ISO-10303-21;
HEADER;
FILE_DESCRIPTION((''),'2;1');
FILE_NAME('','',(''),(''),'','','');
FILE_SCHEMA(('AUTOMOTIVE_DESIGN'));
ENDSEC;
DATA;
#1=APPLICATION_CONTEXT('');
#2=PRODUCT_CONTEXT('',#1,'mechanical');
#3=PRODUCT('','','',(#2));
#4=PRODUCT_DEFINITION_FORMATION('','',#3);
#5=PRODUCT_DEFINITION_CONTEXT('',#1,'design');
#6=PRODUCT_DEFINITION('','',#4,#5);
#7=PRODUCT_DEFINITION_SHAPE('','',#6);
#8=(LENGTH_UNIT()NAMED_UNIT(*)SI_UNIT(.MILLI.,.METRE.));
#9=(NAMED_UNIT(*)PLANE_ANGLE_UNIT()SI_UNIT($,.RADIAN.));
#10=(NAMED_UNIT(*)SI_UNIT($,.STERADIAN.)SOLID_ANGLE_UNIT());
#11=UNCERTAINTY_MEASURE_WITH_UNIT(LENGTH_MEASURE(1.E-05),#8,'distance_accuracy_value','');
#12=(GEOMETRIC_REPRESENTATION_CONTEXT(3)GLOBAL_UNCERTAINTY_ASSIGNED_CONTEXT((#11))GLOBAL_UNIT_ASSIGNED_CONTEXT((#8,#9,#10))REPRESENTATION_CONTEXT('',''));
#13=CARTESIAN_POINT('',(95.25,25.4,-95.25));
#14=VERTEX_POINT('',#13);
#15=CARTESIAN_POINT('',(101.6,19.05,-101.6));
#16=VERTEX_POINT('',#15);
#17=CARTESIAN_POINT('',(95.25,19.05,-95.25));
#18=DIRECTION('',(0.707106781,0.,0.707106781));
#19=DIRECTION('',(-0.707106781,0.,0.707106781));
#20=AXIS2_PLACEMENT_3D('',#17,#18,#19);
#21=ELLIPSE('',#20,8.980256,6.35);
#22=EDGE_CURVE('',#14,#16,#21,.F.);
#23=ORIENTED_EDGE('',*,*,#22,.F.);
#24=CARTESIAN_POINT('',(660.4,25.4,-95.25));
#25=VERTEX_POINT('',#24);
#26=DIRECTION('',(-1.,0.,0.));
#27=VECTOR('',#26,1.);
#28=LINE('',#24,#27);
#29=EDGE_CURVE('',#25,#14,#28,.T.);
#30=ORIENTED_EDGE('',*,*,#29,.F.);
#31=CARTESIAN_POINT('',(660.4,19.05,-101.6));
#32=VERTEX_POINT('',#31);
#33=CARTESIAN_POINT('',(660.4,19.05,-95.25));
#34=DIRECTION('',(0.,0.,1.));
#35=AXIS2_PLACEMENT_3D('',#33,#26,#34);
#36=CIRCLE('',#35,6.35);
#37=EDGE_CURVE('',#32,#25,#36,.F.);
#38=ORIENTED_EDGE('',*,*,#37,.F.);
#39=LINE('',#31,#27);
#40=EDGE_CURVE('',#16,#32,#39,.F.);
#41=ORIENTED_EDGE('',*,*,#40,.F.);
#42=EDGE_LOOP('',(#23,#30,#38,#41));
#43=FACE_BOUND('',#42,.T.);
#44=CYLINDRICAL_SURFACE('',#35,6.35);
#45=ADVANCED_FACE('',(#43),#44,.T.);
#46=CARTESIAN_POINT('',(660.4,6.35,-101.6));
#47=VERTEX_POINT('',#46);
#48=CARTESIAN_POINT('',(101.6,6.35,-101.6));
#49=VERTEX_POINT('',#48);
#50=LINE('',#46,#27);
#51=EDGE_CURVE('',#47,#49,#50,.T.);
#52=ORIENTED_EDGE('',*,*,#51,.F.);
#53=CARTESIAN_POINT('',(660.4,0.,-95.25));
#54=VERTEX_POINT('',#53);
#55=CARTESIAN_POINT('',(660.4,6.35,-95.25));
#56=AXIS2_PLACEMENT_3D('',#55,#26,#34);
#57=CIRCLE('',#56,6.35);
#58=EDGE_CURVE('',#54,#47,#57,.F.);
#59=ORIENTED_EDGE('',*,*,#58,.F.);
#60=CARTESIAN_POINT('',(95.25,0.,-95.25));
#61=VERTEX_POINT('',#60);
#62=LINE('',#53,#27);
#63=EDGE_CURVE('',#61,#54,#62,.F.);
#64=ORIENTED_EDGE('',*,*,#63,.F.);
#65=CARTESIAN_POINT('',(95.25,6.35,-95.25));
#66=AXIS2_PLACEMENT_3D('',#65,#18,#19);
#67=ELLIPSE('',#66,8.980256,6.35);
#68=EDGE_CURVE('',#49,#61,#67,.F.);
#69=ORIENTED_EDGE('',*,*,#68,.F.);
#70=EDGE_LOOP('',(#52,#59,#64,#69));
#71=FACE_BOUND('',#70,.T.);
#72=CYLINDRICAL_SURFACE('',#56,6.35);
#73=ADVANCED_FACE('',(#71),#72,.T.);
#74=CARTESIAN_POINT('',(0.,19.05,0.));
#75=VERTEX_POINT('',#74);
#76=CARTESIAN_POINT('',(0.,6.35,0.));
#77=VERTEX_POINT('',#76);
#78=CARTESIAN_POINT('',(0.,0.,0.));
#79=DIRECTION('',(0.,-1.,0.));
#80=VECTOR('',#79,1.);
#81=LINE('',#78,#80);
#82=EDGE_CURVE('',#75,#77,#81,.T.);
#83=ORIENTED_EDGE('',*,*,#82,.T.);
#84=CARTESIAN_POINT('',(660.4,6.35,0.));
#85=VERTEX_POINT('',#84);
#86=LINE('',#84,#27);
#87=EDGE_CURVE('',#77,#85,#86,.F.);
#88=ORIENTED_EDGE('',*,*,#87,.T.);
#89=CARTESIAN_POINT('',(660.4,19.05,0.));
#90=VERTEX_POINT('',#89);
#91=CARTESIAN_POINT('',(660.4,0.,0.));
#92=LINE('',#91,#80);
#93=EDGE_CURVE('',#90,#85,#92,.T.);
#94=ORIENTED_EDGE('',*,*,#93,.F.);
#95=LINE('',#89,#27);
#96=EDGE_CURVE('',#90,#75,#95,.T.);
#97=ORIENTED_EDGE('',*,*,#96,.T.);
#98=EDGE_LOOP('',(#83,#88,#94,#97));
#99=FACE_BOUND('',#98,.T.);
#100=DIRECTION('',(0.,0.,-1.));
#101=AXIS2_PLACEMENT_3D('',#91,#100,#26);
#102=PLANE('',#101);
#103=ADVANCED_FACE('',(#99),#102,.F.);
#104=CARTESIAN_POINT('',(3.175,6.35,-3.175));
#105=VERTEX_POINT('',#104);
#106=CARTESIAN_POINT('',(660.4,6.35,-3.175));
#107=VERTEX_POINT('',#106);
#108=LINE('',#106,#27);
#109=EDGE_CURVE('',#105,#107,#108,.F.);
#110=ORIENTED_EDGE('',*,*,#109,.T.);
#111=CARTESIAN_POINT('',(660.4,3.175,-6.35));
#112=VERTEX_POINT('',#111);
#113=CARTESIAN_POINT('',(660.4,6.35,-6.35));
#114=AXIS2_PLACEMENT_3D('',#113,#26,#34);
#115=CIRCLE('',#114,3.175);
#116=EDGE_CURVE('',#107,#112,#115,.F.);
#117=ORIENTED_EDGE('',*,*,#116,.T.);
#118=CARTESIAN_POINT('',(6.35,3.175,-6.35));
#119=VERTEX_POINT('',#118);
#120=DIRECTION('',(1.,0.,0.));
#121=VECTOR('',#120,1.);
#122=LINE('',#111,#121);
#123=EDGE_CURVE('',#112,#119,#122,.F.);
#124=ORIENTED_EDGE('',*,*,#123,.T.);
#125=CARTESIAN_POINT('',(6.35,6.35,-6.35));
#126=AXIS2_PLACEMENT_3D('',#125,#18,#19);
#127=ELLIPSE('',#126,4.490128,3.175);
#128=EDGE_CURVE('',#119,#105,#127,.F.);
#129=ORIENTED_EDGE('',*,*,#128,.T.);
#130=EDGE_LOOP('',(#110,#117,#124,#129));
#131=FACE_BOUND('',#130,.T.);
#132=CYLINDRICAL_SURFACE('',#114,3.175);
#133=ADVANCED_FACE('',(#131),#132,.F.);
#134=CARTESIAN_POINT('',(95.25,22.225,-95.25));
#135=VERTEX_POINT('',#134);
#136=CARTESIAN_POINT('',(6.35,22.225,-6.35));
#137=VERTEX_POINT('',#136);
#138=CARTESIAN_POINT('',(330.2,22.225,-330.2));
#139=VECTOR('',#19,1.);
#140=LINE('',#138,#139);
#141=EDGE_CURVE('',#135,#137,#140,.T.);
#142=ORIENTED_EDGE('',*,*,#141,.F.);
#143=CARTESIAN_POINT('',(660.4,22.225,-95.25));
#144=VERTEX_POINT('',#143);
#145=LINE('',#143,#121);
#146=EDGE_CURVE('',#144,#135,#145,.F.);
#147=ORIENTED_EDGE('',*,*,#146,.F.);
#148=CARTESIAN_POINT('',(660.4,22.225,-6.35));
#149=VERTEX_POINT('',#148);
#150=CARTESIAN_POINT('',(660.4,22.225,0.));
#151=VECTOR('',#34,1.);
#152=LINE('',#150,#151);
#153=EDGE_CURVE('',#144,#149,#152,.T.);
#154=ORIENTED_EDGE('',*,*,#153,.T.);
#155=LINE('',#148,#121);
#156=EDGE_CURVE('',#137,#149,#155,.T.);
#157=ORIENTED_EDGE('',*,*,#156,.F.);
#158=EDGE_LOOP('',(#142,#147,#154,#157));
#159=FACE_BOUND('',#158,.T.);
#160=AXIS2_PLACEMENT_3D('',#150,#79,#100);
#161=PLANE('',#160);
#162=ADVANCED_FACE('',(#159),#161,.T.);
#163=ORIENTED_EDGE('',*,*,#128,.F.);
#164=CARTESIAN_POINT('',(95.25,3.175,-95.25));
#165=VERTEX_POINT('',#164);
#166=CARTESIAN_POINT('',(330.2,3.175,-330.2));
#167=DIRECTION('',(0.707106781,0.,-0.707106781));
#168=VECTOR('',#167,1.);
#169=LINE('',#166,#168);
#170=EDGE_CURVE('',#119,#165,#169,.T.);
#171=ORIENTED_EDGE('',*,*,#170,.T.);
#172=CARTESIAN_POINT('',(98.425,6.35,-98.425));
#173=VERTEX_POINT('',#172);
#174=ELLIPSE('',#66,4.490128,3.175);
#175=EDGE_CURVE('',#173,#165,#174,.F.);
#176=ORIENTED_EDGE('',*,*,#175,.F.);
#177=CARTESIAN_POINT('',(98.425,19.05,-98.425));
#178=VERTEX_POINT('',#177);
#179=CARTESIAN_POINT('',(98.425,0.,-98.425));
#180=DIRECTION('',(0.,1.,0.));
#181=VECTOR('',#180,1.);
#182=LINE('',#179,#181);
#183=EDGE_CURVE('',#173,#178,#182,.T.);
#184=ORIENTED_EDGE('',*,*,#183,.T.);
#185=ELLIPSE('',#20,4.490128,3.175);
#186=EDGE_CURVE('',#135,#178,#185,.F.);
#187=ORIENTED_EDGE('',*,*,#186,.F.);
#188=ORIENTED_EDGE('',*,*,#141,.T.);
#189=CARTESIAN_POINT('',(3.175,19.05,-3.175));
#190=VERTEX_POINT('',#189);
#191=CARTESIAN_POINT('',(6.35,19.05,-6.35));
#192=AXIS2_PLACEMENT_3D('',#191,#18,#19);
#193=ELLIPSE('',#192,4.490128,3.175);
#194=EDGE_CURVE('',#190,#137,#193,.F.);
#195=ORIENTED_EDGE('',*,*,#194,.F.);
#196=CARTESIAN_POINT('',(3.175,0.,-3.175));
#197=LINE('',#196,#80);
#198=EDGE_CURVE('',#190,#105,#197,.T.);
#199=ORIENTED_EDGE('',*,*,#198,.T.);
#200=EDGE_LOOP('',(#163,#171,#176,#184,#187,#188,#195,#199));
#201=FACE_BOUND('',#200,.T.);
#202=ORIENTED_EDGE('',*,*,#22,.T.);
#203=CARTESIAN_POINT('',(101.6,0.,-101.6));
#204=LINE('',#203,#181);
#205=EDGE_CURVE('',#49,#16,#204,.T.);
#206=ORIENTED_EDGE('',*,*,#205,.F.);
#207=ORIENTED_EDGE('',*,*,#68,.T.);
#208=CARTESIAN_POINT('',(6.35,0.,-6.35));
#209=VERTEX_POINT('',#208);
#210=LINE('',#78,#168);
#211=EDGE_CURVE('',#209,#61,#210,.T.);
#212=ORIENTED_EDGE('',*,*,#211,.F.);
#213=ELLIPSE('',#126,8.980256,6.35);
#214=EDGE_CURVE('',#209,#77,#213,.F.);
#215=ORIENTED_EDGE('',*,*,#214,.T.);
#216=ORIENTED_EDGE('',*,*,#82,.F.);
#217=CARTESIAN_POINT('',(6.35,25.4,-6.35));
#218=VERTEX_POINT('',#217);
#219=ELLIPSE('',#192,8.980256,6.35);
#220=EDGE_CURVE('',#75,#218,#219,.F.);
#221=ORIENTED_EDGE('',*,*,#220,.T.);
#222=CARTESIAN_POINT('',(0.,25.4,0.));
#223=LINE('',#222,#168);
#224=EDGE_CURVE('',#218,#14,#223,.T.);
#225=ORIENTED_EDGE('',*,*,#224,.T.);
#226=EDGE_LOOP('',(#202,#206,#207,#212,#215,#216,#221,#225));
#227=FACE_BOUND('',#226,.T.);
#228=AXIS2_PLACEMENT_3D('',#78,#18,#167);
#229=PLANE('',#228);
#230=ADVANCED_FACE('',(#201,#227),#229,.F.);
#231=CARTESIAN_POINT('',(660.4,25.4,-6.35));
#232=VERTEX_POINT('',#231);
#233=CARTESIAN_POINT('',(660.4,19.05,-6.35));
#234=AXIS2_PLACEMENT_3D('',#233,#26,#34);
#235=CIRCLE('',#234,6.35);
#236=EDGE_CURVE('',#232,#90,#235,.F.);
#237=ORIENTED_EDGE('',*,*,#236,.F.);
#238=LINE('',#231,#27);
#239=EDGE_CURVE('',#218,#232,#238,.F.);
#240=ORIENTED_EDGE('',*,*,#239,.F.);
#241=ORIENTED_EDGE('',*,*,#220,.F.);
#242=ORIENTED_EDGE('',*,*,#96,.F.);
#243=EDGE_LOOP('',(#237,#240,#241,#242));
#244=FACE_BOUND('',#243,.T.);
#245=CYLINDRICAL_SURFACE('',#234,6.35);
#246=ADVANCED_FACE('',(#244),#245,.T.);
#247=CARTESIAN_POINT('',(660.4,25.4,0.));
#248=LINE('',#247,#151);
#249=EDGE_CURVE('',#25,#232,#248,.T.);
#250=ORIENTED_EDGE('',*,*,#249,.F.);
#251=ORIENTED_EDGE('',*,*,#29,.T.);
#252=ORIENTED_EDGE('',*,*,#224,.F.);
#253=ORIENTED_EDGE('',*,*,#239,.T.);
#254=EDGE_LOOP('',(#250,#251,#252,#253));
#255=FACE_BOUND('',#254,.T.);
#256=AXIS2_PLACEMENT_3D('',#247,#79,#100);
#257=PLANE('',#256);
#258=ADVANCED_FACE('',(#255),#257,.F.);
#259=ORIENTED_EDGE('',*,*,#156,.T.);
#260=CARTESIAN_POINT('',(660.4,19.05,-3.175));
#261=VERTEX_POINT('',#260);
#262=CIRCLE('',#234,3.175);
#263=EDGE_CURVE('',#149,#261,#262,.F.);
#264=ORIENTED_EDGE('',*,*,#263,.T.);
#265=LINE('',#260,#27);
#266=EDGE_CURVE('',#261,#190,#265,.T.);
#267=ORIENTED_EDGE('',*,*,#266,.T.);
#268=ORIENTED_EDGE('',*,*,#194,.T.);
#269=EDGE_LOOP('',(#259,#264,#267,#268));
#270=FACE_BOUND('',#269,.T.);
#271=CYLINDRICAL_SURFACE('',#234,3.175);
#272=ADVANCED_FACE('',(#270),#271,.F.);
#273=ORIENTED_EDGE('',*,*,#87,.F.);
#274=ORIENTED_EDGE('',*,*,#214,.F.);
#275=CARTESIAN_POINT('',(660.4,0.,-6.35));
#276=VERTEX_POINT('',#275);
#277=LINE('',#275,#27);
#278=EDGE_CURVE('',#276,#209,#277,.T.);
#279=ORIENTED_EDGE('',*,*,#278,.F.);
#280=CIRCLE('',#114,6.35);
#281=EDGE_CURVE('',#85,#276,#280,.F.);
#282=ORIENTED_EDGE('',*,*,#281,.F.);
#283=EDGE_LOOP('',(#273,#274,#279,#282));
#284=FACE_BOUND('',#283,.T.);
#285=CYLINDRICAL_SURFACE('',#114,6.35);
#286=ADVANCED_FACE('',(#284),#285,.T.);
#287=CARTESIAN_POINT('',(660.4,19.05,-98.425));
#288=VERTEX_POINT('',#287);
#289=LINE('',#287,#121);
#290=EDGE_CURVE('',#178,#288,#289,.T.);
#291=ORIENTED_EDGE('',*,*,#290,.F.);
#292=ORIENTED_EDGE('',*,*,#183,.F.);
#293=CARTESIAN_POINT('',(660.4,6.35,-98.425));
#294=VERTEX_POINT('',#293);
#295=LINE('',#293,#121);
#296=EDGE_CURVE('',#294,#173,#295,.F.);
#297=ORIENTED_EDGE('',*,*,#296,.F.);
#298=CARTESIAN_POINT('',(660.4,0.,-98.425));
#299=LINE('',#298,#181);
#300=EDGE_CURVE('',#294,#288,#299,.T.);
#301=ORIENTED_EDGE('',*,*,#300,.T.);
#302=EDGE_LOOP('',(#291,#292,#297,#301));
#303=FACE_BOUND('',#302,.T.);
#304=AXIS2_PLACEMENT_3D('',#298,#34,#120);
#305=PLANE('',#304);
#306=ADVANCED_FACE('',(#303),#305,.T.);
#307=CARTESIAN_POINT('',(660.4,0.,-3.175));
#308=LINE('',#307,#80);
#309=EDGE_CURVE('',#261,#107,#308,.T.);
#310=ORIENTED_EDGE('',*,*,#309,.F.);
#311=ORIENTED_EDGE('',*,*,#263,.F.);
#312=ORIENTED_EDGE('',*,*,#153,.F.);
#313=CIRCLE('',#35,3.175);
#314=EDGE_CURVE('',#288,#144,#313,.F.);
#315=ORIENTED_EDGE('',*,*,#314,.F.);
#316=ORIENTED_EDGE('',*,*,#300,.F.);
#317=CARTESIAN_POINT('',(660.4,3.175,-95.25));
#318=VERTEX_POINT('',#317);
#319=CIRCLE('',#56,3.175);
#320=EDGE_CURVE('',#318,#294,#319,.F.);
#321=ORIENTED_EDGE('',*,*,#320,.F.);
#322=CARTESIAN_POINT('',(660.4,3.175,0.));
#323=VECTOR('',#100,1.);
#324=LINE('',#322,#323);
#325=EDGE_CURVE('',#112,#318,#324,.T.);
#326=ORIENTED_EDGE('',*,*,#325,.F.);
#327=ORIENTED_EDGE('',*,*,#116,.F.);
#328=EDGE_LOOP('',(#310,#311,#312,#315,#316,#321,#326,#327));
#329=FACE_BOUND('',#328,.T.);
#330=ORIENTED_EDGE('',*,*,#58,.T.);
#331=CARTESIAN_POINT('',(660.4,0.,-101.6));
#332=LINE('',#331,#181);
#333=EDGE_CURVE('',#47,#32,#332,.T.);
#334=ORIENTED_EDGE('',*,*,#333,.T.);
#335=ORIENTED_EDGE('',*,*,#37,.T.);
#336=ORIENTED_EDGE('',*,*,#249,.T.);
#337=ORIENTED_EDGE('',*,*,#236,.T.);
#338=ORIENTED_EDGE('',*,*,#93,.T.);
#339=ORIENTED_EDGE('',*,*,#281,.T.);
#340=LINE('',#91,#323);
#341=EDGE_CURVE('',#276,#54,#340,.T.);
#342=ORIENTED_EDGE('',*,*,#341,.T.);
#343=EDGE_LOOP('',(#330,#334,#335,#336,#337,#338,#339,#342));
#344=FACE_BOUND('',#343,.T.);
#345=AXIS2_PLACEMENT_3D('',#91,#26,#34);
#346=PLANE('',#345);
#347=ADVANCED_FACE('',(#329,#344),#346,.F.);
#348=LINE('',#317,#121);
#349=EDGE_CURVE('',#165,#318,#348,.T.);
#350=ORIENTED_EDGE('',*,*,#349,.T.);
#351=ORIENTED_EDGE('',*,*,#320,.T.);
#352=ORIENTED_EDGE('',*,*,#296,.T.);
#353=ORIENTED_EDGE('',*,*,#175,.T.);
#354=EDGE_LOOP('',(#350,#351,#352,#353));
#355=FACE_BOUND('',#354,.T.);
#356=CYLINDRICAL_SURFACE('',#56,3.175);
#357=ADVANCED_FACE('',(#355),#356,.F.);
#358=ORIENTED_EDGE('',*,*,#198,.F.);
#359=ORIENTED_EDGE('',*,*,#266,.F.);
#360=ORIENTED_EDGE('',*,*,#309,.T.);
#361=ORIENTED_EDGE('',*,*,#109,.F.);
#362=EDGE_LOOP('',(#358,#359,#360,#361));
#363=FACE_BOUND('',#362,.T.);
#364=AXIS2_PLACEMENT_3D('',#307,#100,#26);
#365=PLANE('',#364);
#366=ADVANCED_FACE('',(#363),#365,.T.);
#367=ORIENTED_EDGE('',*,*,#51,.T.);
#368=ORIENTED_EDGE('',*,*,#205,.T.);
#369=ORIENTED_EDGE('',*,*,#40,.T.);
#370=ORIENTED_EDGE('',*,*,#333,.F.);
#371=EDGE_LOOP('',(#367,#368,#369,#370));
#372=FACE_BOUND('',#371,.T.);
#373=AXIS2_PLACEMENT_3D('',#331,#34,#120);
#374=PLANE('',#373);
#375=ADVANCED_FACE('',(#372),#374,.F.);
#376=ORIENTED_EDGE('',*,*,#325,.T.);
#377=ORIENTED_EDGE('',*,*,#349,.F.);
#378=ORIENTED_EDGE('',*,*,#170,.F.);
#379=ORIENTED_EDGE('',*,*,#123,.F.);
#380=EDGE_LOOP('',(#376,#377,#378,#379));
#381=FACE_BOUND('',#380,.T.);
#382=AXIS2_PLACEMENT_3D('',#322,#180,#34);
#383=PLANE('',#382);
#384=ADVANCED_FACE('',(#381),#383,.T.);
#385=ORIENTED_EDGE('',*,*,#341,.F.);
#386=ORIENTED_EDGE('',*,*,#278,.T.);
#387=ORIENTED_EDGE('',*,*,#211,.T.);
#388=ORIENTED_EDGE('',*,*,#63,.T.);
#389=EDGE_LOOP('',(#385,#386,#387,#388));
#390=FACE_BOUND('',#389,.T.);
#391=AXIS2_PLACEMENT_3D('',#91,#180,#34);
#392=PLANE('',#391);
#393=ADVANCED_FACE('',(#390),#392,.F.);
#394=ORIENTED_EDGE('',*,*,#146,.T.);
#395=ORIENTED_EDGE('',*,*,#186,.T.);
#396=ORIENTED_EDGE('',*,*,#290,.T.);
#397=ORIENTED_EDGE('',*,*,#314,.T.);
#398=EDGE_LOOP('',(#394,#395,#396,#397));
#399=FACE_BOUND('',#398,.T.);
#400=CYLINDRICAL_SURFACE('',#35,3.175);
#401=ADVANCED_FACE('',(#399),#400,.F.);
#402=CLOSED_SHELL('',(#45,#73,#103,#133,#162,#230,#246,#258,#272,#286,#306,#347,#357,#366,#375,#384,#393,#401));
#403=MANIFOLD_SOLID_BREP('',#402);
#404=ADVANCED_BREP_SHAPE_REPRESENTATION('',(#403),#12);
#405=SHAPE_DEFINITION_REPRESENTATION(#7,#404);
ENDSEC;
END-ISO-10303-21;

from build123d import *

# Parameters (mm, degrees)
SKETCH1_W           = 101.6
SKETCH1_H           = 25.4
BOSS_EXTRUDE1_DEPTH = 660.4
FILLET1_R           = 6.35
SHELL1_T            = -3.175
CUT_EXTRUDE1_DEPTH  = 25.4


with BuildPart() as part:
    # Sketch1 → Boss-Extrude1 (new body)
    with BuildSketch(Plane(origin=(0, 0, 0), x_dir=(0, 0, -1), z_dir=(1, 0, 0))):
        with Locations((50.8, 12.7)):
            Rectangle(SKETCH1_W, SKETCH1_H)
    extrude(amount=BOSS_EXTRUDE1_DEPTH)

    # Fillet1
    fillet1_edges = [part.edges().sort_by_distance(p)[0] for p in [
        (330.2, 0, 0),
        (330.2, 0, -101.6),
        (330.2, 25.4, -101.6),
        (330.2, 25.4, 0),
    ]]
    fillet(fillet1_edges, radius=FILLET1_R)

    # Shell1
    shell1_openings = [part.faces().sort_by_distance(p)[0] for p in [
        (0, 12.7, -50.8),
        (660.4, 12.7, -50.8),
    ]]
    offset(amount=SHELL1_T, openings=shell1_openings, kind=Kind.INTERSECTION)

    # Sketch2 → Cut-Extrude1 (cut)
    with BuildSketch(Plane(origin=(0, 25.4, 0), x_dir=(1, 0, 0), z_dir=(0, 1, 0))):
        Polygon((0, 0), (101.6, 101.6), (0, 101.6), align=None)
    extrude(amount=-CUT_EXTRUDE1_DEPTH, mode=Mode.SUBTRACT)


solid = part.part
